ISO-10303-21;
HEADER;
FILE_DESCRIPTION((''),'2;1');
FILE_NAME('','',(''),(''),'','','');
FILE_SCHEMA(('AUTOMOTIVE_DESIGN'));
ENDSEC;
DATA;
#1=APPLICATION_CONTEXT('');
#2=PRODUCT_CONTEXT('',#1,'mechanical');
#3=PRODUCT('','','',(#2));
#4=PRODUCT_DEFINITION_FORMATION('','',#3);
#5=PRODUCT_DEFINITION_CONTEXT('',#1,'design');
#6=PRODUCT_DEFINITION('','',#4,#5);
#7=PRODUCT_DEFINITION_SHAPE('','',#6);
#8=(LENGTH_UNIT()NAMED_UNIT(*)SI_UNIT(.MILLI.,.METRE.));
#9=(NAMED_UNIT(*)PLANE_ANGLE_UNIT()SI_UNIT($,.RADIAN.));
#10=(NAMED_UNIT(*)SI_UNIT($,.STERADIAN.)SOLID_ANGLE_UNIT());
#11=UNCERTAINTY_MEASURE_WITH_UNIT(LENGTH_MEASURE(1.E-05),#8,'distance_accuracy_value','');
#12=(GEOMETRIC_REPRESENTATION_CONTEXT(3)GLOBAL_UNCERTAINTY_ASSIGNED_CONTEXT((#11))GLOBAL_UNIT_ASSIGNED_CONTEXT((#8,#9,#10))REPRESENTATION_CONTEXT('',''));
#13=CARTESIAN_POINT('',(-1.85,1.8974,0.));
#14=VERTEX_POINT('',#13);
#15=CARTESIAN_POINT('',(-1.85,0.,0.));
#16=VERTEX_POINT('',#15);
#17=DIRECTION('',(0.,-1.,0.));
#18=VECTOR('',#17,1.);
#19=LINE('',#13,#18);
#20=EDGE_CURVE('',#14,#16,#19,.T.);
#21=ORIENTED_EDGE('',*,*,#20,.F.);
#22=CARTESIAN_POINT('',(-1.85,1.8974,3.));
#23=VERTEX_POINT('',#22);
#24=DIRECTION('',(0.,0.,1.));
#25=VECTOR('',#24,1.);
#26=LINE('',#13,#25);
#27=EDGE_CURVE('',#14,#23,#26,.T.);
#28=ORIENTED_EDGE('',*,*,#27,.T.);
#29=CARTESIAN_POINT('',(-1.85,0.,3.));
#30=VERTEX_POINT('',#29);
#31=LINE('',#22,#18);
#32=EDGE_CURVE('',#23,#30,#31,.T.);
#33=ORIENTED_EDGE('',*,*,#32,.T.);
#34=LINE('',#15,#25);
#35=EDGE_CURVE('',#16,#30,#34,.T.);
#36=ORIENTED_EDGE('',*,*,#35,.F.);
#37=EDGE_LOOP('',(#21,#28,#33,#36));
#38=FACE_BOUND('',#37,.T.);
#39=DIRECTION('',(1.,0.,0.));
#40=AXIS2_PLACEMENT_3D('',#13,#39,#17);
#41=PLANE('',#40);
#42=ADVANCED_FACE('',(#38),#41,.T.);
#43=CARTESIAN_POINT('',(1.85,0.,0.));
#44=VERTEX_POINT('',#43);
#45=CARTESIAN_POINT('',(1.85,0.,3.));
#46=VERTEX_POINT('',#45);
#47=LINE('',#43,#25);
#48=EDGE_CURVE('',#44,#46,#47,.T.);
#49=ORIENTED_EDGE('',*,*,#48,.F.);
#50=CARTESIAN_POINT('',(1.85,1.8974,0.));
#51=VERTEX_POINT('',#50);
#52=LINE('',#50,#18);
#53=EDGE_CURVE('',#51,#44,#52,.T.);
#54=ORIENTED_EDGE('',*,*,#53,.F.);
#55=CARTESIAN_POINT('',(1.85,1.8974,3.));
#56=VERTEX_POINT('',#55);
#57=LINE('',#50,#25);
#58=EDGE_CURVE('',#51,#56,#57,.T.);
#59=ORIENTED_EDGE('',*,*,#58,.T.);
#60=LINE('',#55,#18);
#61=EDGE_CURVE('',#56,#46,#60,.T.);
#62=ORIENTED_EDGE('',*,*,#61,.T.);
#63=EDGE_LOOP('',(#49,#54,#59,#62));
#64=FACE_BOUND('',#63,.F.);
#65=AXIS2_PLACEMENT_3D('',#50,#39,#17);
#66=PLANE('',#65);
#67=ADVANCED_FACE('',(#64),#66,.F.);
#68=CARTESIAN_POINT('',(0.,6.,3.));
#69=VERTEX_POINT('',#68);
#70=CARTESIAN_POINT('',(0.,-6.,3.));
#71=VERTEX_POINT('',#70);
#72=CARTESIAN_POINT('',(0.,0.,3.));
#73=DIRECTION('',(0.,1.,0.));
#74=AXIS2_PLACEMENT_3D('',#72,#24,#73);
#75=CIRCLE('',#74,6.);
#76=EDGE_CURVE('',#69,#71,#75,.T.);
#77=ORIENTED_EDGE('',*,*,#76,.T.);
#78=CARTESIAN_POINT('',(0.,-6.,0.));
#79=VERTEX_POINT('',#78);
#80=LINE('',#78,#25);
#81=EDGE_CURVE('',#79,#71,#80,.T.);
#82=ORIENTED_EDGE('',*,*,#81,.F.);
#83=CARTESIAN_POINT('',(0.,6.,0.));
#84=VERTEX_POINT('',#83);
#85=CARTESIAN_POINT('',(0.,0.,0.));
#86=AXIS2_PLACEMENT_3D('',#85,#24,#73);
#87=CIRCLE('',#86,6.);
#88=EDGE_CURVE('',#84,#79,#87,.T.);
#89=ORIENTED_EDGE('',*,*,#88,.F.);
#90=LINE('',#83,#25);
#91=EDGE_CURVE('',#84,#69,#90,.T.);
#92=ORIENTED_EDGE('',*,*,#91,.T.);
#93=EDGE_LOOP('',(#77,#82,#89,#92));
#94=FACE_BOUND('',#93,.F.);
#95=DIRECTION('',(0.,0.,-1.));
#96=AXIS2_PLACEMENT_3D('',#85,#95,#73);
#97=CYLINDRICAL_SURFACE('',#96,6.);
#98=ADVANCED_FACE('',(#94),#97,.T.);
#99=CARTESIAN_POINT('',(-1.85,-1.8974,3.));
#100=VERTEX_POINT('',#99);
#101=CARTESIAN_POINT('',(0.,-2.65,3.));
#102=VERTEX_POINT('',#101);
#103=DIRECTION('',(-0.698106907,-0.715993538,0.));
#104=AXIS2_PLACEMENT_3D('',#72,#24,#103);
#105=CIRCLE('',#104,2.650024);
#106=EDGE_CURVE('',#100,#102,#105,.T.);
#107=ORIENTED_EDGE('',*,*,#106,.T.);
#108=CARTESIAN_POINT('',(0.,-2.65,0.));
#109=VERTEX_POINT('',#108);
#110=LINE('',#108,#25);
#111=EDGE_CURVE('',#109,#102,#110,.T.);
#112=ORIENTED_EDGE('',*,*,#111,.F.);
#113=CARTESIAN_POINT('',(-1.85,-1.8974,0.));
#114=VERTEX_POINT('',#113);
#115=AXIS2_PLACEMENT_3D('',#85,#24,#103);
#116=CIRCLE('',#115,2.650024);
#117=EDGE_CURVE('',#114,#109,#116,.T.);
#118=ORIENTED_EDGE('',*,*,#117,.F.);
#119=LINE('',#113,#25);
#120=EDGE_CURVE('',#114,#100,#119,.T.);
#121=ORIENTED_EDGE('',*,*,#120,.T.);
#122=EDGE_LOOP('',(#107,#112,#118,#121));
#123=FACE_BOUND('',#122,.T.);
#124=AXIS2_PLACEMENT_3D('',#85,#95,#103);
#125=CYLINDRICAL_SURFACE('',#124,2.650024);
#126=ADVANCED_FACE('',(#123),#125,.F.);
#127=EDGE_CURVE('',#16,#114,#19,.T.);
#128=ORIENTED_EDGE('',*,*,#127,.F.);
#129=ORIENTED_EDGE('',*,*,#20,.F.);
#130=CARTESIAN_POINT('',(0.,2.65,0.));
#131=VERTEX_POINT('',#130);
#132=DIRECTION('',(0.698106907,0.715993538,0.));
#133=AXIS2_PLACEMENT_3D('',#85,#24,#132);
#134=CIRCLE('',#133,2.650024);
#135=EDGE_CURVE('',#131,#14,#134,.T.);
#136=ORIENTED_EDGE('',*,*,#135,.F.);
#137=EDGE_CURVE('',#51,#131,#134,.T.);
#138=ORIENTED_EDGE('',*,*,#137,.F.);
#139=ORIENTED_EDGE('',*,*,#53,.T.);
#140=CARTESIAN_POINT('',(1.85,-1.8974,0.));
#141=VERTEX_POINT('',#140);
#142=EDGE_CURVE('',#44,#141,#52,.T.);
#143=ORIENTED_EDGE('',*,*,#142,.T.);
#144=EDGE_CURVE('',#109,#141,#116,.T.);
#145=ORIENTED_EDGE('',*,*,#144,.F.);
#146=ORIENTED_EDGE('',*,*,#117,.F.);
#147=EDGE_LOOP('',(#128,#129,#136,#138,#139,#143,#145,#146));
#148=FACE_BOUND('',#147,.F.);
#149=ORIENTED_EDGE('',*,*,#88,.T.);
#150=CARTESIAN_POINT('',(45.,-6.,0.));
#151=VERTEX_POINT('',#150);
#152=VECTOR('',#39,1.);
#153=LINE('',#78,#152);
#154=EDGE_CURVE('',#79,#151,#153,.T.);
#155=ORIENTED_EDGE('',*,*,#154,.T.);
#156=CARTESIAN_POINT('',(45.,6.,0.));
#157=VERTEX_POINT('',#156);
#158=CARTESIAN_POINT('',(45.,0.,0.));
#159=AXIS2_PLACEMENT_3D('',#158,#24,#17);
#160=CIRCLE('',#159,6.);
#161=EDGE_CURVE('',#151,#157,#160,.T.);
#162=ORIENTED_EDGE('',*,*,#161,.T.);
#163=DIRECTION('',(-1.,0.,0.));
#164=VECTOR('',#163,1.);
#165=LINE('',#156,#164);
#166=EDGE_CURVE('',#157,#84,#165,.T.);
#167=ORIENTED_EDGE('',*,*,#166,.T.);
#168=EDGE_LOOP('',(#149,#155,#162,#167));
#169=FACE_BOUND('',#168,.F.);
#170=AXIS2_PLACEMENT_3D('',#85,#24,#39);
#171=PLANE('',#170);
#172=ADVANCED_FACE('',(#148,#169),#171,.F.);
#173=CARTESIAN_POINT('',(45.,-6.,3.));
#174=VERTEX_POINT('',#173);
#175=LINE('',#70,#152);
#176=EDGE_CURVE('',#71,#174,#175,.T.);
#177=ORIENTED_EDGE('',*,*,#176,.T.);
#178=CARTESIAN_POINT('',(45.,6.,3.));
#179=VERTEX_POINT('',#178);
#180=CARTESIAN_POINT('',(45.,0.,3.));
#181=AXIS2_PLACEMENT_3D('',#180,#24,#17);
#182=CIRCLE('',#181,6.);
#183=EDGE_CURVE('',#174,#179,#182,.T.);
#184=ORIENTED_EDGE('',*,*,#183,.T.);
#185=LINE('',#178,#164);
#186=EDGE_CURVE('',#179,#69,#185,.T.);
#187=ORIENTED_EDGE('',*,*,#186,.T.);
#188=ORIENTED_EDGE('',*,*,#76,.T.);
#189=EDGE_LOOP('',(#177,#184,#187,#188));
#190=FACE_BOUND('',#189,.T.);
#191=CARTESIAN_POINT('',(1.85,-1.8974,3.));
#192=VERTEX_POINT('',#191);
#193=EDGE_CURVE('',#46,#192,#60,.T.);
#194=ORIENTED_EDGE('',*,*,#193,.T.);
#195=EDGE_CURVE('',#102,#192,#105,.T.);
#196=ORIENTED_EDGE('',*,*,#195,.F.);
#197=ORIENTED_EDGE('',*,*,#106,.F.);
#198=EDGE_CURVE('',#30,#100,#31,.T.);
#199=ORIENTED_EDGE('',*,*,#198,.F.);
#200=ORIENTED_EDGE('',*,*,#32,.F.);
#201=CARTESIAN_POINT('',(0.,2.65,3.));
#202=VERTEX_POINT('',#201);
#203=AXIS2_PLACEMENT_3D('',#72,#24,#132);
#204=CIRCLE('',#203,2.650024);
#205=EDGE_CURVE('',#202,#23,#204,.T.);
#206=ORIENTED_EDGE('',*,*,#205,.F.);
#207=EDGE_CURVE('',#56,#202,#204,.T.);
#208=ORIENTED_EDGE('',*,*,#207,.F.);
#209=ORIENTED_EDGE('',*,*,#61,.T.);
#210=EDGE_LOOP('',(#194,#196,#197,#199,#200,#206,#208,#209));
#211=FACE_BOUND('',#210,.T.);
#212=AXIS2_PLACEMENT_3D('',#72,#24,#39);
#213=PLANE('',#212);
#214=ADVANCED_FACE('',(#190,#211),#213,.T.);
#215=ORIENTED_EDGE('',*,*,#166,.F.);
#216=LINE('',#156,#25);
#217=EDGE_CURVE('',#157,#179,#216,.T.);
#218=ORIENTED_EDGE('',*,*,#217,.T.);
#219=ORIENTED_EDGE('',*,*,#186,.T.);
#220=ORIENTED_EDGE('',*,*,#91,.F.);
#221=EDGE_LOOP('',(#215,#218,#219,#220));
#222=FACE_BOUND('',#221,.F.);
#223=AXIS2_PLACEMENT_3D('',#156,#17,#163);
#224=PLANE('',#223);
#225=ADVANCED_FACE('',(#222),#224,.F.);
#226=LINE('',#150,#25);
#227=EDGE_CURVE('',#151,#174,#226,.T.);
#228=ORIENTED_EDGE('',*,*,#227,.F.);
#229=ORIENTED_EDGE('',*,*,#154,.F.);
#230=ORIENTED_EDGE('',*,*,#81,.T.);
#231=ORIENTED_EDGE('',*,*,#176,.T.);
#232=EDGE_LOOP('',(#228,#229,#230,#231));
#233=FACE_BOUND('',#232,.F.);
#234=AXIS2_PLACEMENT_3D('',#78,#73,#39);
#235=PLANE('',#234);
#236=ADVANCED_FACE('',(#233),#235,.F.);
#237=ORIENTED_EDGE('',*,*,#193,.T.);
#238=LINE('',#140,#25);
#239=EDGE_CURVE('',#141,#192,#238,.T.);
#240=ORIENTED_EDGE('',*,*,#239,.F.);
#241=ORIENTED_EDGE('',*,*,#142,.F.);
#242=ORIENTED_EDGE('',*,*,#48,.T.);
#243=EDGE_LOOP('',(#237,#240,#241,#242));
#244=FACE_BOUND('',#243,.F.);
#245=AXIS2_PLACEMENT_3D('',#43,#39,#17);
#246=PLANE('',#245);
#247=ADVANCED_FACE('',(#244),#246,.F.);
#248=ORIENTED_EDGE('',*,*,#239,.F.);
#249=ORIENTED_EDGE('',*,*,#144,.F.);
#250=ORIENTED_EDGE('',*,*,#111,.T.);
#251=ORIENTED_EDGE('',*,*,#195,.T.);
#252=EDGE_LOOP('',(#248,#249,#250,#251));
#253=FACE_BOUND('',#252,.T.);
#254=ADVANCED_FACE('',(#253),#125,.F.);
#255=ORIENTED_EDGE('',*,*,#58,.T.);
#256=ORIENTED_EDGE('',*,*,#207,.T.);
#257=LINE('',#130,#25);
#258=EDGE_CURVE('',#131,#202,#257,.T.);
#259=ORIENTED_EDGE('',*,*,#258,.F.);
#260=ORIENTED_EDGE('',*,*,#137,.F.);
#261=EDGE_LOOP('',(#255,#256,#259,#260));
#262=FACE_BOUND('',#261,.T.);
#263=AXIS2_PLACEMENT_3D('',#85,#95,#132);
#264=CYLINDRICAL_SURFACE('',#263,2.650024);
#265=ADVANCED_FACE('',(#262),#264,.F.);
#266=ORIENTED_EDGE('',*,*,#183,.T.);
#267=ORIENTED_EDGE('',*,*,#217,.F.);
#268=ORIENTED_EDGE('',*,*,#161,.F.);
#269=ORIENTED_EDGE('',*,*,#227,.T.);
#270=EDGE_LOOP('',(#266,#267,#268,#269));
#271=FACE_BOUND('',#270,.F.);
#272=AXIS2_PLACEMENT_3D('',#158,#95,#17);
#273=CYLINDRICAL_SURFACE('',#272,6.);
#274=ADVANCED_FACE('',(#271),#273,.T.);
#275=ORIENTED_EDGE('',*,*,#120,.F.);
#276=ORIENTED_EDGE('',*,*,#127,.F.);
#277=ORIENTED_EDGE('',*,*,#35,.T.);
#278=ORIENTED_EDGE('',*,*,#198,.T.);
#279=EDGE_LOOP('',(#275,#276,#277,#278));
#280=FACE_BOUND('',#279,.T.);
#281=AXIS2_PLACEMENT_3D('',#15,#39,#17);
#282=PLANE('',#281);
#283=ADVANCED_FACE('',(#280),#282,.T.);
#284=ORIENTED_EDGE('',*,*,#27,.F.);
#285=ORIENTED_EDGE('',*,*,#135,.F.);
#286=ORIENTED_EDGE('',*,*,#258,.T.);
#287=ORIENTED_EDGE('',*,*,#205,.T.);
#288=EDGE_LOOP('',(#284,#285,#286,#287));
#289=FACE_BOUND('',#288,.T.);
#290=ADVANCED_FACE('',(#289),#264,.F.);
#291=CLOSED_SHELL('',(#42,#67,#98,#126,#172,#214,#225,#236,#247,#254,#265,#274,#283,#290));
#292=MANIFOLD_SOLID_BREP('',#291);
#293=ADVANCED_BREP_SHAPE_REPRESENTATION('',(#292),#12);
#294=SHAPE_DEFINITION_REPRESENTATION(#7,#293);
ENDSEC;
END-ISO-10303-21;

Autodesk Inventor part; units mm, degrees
ref_plane "YZ Plane" through (0, 0, 0) normal (1, 0, 0) x (0, 1, 0)
ref_plane "XZ Plane" through (0, 0, 0) normal (0, 1, 0) x (-1, 0, 0)
ref_plane "XY Plane" through (0, 0, 0) normal (0, 0, 1) x (1, 0, 0)
sketch "Sketch1" plane through (0, 0, 0) normal (0, 0, 1) x (1, 0, 0)
  line L0 (0, 2.65) -> (0, -2.65)
  line L1 (-1.85, 0) -> (1.85, 0)
  line L2 (1.85, 1.8974) -> (1.85, -1.8974)
  arc A0 (1.85, 1.8974) -> (-1.85, 1.8974) centre (0, 0) ccw
  line L3 (-1.85, 1.8974) -> (-1.85, -1.8974)
  arc A1 (-1.85, -1.8974) -> (1.85, -1.8974) centre (0, 0) ccw
  line L4 (0, 0) -> (45, 0) construction
  line L5 (0, -6) -> (45, -6)
  line L6 (45, 6) -> (0, 6)
  arc A2 (0, 6) -> (0, -6) centre (0, 0) ccw
  arc A3 (45, -6) -> (45, 6) centre (45, 0) ccw
  point P0 (22.5, 0)
  dimension "d0" = 2.65
  dimension "d1" = 3.7
  dimension "d2" = 6
  dimension "d3" = 45
extrude "Plate1" add sketch "Sketch1" along normal blind 3
equation "\"d4\" = Thickness"
equation "\"BendRadius\" = Thickness"
equation "\"BendReliefWidth\" = Thickness"
equation "\"BendReliefDepth\" = 0.5 * Thickness"
equation "\"CornerReliefSize\" = 4 * Thickness"
equation "\"MinimumRemnant\" = 2 * Thickness"
equation "\"TransitionRadius\" = BendRadius"
equation "\"JacobiRadiusSize\" = BendRadius"
equation "\"GapSize\" = Thickness"
equation "\"Thickness\" = 3"
properties part number "Shooting Arm V2"
